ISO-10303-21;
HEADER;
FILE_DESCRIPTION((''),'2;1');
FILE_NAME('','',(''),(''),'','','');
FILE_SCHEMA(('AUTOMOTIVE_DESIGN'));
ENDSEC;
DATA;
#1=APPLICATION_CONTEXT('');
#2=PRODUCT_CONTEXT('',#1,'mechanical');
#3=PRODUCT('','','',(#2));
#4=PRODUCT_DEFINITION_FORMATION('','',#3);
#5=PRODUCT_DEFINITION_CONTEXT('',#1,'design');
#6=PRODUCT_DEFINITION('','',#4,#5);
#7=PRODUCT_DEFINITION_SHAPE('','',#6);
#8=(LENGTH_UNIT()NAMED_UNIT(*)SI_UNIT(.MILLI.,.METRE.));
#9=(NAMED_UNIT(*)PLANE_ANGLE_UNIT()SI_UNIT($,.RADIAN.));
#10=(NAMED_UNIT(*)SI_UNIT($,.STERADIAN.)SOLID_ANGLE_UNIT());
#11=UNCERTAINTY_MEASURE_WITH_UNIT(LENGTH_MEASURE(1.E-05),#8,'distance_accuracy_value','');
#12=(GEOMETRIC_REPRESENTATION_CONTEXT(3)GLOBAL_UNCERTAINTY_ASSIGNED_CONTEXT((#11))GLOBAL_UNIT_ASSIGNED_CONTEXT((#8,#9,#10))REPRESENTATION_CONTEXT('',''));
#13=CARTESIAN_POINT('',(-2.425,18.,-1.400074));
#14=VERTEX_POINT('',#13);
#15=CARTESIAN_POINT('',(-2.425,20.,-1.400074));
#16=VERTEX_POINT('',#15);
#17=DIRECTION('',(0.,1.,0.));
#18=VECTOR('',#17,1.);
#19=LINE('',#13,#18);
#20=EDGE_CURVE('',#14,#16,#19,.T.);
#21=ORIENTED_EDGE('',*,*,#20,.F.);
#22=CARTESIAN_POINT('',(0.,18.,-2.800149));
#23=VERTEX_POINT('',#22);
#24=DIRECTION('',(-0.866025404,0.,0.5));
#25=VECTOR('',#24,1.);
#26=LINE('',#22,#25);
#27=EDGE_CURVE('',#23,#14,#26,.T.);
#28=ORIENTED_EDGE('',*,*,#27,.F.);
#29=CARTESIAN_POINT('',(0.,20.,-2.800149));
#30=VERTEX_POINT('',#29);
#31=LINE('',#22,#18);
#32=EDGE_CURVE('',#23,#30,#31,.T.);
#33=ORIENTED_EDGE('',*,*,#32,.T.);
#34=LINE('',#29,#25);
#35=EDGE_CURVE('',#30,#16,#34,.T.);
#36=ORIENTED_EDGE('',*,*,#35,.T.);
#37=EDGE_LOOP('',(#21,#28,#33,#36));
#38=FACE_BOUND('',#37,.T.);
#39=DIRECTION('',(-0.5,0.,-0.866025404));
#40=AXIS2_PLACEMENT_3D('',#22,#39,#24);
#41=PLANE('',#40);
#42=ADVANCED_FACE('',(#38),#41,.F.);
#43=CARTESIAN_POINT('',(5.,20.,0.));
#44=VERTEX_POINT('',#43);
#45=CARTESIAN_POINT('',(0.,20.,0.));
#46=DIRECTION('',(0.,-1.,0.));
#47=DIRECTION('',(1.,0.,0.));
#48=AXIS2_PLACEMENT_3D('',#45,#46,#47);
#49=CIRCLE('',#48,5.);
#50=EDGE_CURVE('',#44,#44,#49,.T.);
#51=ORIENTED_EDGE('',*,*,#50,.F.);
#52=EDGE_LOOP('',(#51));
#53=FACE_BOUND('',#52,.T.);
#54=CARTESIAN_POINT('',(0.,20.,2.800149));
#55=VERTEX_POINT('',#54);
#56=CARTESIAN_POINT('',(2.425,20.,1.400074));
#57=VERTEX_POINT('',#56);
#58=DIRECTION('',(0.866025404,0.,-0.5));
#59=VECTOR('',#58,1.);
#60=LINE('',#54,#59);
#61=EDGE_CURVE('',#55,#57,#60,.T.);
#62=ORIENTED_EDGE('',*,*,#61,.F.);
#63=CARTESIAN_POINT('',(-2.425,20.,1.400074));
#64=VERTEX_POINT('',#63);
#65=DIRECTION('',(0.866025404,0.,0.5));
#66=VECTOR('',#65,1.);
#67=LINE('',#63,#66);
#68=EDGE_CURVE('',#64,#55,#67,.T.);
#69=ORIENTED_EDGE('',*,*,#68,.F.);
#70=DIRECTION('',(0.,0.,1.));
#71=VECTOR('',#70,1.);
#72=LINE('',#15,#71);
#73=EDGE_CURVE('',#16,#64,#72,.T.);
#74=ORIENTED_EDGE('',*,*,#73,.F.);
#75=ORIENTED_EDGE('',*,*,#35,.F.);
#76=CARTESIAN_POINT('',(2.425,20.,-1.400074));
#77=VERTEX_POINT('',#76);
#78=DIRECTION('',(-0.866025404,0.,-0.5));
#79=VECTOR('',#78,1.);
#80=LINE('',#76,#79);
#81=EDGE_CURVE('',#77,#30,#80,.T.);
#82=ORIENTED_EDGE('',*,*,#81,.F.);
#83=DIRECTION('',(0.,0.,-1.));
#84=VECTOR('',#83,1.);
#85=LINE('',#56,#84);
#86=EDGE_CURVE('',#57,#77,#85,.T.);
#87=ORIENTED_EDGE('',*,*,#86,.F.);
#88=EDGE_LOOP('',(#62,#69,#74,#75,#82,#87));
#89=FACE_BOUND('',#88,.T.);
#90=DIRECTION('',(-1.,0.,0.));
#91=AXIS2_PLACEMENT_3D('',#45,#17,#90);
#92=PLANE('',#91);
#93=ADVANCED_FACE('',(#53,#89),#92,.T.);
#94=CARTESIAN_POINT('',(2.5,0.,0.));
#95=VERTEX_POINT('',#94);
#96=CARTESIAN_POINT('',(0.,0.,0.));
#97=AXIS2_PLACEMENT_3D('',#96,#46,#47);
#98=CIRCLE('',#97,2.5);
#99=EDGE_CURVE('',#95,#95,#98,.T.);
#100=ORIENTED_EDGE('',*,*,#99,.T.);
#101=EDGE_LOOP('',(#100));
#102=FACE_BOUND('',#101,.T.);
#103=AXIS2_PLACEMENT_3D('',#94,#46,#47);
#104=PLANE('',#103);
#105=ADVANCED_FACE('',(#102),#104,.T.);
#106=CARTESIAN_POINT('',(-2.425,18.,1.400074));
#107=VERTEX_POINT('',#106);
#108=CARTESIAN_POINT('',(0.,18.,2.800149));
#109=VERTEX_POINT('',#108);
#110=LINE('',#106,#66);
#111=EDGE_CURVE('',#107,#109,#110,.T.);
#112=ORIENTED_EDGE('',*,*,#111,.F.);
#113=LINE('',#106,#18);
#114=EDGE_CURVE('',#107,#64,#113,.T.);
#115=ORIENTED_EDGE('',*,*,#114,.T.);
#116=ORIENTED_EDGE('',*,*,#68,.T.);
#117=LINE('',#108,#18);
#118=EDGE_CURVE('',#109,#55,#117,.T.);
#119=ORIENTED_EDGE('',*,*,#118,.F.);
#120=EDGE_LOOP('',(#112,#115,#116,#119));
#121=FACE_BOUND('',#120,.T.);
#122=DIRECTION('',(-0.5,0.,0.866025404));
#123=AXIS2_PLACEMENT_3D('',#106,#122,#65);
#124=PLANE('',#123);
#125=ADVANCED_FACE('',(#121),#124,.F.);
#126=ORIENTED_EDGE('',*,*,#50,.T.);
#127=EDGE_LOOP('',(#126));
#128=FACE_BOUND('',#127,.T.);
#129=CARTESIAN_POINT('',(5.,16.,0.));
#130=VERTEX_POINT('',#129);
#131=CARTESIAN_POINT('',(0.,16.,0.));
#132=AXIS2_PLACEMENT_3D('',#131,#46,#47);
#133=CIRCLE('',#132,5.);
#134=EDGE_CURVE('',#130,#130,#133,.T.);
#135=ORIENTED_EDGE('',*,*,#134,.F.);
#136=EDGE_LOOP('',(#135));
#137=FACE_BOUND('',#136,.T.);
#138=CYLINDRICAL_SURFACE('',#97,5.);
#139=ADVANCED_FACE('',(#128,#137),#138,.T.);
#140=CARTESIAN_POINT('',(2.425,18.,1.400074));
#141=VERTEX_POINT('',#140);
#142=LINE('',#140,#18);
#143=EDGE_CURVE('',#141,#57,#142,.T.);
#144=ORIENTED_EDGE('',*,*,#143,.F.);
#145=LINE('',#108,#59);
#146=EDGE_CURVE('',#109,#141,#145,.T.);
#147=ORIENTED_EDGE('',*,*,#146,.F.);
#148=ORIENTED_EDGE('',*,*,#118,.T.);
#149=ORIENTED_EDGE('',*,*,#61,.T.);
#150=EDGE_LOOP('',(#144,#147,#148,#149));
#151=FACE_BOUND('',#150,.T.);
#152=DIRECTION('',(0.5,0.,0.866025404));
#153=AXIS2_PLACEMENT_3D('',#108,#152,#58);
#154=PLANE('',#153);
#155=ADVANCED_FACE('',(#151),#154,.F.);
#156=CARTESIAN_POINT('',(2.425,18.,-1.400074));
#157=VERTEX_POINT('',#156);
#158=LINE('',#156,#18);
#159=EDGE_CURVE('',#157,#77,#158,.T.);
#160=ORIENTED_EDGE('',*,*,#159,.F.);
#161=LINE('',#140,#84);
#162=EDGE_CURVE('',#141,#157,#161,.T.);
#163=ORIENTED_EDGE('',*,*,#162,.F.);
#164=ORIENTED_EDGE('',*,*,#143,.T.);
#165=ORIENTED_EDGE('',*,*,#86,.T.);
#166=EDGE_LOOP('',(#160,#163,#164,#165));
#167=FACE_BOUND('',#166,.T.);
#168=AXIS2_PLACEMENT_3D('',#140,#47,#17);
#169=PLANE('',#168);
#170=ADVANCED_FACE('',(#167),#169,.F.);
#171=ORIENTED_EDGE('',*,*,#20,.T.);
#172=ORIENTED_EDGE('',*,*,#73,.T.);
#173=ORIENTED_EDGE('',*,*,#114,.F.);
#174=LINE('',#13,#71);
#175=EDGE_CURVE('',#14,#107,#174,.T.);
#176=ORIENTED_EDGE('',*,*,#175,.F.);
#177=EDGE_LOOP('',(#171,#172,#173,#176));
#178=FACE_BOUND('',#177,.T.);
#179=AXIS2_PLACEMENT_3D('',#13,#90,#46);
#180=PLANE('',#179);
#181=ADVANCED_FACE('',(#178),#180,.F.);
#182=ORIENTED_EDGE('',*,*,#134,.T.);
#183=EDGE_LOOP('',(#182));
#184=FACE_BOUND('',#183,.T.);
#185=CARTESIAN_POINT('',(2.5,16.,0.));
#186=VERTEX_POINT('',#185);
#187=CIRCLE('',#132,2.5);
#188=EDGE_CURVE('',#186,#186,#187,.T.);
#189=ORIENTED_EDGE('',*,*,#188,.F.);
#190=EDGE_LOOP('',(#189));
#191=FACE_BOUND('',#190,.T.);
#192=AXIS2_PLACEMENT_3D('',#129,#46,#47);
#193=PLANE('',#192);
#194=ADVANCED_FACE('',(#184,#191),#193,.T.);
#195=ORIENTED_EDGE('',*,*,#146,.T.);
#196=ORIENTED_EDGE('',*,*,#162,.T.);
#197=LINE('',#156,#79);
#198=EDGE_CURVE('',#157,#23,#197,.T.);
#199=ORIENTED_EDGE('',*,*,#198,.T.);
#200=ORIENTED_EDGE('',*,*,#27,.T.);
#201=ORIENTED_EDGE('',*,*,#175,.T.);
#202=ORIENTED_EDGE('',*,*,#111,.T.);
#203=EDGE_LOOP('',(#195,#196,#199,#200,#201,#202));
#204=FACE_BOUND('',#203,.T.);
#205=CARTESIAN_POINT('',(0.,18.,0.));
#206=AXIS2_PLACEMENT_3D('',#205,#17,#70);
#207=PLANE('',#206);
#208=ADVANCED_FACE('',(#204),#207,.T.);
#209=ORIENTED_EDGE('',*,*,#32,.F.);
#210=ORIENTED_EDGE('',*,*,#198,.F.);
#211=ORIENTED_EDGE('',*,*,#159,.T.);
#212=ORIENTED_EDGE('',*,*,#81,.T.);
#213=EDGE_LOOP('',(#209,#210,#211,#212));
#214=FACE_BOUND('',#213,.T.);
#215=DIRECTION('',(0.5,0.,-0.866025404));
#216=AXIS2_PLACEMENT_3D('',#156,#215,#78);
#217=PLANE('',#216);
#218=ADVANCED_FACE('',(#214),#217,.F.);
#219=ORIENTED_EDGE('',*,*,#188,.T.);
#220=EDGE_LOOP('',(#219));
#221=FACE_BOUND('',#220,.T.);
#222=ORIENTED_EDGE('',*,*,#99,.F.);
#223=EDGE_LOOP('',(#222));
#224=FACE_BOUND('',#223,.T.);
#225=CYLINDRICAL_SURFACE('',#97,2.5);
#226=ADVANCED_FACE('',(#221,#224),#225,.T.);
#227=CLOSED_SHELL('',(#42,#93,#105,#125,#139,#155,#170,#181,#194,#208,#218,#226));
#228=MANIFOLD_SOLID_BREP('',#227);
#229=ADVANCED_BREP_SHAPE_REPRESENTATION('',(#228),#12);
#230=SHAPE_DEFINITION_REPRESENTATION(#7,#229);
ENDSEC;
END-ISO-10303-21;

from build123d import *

# Parameters (mm, degrees)
CUT_EXTRUDE1_DEPTH = 2


with BuildPart() as part:
    # Sketch1 → Revolve1 (revolve)
    with BuildSketch(Plane.XY):
        Polygon((0, 0), (0, 20), (5, 20), (5, 16), (2.5, 16), (2.5, 0), align=None)
    revolve(axis=Axis((0, 0, 0), (0, 1, 0)))

    # Sketch2 → Cut-Extrude1 (cut)
    with BuildSketch(Plane(origin=(0, 20, 0), x_dir=(1, 0, 0), z_dir=(0, 1, 0))):
        Polygon((0, -2.800148806), (2.425, -1.400074403), (2.425, 1.400074403), (0, 2.800148806), (-2.425, 1.400074403), (-2.425, -1.400074403), align=None)
    extrude(amount=-CUT_EXTRUDE1_DEPTH, mode=Mode.SUBTRACT)


solid = part.part
